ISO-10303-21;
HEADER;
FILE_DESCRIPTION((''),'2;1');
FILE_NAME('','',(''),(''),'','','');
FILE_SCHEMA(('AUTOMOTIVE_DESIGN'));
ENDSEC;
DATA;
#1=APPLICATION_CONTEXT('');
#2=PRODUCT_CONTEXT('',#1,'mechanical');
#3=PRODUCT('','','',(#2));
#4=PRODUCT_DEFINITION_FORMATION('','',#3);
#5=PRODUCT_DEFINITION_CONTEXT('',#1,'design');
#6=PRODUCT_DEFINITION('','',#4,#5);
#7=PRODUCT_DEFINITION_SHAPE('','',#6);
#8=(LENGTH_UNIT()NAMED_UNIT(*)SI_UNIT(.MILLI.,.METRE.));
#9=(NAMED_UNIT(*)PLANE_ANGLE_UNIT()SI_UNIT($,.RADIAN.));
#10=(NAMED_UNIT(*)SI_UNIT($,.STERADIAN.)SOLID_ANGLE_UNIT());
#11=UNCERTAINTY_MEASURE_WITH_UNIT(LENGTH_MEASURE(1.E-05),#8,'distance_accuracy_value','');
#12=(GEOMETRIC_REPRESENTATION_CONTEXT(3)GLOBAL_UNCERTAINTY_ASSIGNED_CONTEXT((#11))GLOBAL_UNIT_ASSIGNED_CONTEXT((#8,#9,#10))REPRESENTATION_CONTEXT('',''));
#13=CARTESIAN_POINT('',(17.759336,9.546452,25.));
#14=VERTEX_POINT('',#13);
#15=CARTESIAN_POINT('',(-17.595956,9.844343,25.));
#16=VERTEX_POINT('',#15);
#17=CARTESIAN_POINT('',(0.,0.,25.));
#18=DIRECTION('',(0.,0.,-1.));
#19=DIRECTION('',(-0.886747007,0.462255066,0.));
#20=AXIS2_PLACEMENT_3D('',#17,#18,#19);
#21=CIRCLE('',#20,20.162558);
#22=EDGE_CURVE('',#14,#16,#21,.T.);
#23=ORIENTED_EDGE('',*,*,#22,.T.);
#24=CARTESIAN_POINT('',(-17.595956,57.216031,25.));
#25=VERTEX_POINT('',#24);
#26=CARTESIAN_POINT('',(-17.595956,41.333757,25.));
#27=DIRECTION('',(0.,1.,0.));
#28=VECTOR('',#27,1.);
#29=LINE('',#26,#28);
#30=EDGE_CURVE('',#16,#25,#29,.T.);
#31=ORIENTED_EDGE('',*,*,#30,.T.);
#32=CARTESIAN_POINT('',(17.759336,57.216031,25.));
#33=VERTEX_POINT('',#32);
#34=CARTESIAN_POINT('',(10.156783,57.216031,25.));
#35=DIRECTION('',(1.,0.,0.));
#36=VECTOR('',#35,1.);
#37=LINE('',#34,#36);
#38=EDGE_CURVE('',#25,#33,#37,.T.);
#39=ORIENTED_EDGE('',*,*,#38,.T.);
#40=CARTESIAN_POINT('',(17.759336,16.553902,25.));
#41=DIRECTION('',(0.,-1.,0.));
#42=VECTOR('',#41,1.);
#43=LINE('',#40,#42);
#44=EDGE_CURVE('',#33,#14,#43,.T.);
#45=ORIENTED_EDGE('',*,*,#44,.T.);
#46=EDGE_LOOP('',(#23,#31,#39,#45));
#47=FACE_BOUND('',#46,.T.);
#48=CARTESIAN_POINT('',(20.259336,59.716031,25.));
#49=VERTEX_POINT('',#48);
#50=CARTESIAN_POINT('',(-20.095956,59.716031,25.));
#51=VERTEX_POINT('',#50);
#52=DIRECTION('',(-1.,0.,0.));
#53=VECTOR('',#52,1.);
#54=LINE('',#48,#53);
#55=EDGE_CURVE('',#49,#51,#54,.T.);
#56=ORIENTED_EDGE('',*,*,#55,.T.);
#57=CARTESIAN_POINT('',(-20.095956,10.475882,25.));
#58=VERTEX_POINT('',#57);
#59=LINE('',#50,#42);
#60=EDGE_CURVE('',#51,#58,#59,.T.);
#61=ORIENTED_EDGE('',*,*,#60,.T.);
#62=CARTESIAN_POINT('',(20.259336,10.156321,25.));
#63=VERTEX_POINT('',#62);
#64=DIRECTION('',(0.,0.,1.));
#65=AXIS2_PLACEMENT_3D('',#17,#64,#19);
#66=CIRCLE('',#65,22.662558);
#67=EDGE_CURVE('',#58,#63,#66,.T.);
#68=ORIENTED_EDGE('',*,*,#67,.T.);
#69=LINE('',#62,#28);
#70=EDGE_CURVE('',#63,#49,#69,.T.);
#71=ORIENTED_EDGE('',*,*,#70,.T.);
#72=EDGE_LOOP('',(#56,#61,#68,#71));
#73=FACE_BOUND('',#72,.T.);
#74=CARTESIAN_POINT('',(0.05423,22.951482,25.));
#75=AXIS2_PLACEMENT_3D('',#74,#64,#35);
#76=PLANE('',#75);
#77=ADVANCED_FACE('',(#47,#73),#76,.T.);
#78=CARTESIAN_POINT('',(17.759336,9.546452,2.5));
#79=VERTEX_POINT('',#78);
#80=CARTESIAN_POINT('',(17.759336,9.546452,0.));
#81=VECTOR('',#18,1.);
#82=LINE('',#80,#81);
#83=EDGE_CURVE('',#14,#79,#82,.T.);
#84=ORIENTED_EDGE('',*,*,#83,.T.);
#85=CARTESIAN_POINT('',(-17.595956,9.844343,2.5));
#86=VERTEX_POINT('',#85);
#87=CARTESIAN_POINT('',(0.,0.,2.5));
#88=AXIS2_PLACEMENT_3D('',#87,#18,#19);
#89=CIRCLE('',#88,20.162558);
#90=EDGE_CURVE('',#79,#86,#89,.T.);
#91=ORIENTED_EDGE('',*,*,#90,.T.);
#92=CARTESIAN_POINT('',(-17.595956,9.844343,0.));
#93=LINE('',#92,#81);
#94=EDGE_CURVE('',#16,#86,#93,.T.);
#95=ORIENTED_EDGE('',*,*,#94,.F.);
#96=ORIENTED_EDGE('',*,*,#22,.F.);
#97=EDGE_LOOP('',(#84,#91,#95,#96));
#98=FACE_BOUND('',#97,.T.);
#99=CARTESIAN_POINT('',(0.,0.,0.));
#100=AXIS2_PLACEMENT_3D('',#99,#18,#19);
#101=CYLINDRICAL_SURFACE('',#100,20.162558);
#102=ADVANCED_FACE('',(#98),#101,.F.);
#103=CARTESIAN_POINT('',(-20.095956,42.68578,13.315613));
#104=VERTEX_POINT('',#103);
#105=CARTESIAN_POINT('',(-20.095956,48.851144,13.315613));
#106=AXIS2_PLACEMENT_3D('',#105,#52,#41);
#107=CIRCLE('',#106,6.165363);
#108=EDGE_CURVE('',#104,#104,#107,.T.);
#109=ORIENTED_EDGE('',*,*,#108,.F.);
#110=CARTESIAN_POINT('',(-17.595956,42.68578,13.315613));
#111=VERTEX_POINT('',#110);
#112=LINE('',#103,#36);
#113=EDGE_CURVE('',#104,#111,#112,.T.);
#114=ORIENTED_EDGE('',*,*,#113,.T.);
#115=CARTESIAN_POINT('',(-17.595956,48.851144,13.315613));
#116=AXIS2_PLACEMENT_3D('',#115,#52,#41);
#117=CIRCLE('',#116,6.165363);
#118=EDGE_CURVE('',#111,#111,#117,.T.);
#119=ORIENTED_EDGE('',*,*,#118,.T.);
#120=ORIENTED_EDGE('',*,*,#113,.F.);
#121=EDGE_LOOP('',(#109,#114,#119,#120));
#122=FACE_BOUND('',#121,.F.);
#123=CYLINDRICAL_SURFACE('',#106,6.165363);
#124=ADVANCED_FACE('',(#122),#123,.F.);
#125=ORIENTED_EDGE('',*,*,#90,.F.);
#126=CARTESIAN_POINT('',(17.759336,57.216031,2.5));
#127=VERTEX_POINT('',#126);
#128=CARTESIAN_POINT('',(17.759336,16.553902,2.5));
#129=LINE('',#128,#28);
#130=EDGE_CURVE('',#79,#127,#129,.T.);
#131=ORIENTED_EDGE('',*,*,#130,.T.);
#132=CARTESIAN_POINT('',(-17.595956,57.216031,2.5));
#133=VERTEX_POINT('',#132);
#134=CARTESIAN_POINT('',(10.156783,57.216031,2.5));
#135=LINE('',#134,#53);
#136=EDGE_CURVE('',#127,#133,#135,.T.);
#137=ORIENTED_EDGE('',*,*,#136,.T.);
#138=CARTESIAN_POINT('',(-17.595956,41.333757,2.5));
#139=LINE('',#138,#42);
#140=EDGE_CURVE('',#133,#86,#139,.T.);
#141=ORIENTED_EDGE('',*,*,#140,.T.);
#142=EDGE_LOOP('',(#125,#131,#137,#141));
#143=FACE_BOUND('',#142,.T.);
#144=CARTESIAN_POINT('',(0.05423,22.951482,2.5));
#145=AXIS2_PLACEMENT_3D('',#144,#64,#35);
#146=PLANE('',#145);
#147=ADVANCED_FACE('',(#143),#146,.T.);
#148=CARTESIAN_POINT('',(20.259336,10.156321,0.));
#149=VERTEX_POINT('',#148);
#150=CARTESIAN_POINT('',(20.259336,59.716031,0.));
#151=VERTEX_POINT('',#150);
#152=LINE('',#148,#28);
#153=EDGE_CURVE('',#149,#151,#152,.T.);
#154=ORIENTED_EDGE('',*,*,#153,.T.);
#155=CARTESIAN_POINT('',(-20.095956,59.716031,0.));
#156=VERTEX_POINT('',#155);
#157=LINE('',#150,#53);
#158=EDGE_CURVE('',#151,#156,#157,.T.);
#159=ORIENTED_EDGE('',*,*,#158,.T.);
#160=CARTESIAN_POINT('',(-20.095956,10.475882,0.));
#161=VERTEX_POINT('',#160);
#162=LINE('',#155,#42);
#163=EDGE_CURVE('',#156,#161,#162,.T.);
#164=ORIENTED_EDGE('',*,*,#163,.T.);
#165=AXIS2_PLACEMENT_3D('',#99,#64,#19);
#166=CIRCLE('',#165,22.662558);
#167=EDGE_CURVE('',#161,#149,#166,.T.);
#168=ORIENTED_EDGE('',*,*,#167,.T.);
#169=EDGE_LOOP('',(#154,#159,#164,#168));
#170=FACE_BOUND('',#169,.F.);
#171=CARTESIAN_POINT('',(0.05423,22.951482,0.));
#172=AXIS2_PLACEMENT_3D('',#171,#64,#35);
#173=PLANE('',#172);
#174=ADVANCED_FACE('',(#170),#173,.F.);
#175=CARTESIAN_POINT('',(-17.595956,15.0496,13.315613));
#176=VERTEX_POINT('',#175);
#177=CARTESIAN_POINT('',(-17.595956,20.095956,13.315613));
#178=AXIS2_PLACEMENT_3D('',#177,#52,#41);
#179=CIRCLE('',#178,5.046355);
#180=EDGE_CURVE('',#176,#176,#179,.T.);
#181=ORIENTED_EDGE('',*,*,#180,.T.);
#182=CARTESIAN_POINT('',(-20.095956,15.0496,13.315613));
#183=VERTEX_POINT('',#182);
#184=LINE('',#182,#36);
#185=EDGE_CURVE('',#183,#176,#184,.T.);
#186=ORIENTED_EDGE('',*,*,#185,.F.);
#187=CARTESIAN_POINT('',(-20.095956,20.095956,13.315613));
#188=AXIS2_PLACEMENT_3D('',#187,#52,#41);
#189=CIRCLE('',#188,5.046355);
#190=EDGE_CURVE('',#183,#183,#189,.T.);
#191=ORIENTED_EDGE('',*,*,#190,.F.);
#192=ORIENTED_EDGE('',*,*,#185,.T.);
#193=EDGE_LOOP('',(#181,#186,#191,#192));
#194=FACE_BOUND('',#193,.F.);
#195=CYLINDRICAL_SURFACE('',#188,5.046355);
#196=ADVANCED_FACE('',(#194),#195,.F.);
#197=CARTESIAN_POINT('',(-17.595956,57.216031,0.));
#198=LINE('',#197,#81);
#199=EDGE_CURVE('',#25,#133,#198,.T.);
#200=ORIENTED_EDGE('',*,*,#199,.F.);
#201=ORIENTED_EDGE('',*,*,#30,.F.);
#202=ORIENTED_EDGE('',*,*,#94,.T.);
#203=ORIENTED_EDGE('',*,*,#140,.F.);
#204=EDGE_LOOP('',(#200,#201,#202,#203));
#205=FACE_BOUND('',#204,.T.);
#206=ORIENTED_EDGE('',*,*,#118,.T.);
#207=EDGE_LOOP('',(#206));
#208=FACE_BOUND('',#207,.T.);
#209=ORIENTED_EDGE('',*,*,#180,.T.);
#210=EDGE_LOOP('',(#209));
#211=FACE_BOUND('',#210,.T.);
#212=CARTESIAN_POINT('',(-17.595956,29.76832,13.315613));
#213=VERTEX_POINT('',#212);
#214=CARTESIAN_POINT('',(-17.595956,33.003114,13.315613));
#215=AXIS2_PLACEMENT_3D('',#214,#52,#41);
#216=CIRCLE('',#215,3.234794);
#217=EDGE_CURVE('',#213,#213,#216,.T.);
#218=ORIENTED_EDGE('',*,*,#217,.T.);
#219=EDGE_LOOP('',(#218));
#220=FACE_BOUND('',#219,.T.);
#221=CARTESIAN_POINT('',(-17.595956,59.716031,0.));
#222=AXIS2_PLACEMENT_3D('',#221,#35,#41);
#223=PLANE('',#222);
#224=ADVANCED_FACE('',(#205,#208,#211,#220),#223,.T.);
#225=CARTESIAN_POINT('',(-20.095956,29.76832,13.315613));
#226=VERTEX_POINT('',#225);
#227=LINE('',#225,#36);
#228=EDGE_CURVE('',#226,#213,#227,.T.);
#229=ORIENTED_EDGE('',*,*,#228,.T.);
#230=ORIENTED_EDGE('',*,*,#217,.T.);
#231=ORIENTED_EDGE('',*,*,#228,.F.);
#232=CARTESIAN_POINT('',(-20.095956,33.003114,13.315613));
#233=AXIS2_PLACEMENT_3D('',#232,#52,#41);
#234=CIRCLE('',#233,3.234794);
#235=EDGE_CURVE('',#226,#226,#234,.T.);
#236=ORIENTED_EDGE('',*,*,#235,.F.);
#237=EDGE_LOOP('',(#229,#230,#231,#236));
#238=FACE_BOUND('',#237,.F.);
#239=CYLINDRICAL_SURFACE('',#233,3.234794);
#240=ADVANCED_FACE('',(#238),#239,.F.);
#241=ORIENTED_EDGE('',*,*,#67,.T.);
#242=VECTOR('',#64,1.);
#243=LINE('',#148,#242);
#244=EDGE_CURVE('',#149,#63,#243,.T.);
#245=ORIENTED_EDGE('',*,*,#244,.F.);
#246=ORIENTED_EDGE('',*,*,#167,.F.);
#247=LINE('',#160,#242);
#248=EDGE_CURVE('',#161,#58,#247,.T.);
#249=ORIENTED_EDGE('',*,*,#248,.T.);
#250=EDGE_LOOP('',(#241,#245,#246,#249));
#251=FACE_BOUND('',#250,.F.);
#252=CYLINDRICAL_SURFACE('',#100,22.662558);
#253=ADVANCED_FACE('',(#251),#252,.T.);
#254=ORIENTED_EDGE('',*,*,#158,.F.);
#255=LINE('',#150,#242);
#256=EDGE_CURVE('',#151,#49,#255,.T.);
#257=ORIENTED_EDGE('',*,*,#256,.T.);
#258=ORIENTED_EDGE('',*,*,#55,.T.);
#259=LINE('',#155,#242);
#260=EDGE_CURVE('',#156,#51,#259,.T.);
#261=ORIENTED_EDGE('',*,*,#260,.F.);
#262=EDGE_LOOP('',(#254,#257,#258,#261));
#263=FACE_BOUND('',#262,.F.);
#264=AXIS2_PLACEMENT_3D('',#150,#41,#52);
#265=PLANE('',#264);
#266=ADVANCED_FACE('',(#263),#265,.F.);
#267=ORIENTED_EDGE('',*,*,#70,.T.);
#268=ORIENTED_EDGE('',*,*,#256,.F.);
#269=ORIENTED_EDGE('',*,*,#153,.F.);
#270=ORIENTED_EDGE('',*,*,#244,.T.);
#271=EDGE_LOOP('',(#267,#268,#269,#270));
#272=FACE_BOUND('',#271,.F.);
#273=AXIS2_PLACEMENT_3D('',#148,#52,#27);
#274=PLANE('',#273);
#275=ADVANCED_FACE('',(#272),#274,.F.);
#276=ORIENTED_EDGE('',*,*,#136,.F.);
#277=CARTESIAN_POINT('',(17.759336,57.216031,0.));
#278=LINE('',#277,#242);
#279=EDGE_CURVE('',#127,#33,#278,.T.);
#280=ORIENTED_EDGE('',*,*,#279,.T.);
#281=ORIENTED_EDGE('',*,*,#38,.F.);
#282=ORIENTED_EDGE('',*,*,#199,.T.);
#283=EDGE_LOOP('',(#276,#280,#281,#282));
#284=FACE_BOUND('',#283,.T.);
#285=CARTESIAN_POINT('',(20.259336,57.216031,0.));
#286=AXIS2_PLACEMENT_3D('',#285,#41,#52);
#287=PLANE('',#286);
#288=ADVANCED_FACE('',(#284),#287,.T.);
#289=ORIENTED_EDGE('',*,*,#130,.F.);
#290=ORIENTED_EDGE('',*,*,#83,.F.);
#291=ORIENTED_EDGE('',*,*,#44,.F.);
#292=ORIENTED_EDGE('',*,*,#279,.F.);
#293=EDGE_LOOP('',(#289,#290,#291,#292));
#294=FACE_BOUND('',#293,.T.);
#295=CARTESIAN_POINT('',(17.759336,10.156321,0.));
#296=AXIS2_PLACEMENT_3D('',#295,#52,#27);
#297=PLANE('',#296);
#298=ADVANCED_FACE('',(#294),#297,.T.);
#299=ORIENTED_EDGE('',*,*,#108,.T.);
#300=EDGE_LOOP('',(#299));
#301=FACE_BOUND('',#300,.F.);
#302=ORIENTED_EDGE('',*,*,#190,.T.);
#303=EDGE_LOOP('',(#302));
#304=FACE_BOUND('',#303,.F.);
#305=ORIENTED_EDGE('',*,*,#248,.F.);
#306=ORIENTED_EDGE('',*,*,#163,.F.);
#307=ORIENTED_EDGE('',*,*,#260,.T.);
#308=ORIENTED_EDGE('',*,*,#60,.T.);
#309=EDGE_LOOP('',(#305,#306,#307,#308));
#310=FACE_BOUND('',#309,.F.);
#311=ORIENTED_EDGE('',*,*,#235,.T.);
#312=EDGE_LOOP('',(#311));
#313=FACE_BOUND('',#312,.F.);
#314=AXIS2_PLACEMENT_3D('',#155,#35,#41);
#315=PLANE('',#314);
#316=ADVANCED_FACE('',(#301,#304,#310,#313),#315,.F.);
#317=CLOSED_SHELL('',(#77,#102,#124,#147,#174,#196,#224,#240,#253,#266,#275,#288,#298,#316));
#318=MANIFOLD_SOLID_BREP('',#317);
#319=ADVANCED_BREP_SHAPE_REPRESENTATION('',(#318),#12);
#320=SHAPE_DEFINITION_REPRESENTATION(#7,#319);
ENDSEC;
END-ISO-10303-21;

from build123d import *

# Parameters (mm, degrees)
F1_DEPTH = 25
F2_T     = -2.5
F3_R     = 6.1653631348
F3_R_2   = 3.2347943308
F3_R_3   = 5.0463552764
F4_DEPTH = 25


with BuildPart() as f1:
    # F0 (on Top) → F1 (new body)
    with BuildSketch(Plane.XY):
        with BuildLine():
            Line((-20.0959555805, 59.7160309553), (-20.0959555805, 10.4758823072))
            ThreePointArc((-20.0959555805, 10.4758823072), (-0.1794521824, -22.6618476237), (20.2593356371, 10.1563212016))
            Line((20.2593356371, 10.1563212016), (20.2593356371, 59.7160309553))
            Line((20.2593356371, 59.7160309553), (-20.0959555805, 59.7160309553))
        make_face()
    extrude(amount=F1_DEPTH)

    # F2
    f2_openings = [f1.faces().sort_by_distance(p)[0] for p in [
        (0.050089, 19.786253, 25),
    ]]
    offset(amount=F2_T, openings=f2_openings, kind=Kind.INTERSECTION)

    # F3 (on face) → F4 (cut)
    with BuildSketch(Plane(origin=(-20.0959555805, 0, 0), x_dir=(0, -1, 0), z_dir=(-1, 0, 0))):
        with Locations((-48.8511435688, 13.3156133816)):
            Circle(F3_R)
        with Locations((-33.0031141639, 13.3156133816)):
            Circle(F3_R_2)
        with Locations((-20.0959555805, 13.3156133816)):
            Circle(F3_R_3)
    extrude(amount=-F4_DEPTH, mode=Mode.SUBTRACT)


solid = f1.part
